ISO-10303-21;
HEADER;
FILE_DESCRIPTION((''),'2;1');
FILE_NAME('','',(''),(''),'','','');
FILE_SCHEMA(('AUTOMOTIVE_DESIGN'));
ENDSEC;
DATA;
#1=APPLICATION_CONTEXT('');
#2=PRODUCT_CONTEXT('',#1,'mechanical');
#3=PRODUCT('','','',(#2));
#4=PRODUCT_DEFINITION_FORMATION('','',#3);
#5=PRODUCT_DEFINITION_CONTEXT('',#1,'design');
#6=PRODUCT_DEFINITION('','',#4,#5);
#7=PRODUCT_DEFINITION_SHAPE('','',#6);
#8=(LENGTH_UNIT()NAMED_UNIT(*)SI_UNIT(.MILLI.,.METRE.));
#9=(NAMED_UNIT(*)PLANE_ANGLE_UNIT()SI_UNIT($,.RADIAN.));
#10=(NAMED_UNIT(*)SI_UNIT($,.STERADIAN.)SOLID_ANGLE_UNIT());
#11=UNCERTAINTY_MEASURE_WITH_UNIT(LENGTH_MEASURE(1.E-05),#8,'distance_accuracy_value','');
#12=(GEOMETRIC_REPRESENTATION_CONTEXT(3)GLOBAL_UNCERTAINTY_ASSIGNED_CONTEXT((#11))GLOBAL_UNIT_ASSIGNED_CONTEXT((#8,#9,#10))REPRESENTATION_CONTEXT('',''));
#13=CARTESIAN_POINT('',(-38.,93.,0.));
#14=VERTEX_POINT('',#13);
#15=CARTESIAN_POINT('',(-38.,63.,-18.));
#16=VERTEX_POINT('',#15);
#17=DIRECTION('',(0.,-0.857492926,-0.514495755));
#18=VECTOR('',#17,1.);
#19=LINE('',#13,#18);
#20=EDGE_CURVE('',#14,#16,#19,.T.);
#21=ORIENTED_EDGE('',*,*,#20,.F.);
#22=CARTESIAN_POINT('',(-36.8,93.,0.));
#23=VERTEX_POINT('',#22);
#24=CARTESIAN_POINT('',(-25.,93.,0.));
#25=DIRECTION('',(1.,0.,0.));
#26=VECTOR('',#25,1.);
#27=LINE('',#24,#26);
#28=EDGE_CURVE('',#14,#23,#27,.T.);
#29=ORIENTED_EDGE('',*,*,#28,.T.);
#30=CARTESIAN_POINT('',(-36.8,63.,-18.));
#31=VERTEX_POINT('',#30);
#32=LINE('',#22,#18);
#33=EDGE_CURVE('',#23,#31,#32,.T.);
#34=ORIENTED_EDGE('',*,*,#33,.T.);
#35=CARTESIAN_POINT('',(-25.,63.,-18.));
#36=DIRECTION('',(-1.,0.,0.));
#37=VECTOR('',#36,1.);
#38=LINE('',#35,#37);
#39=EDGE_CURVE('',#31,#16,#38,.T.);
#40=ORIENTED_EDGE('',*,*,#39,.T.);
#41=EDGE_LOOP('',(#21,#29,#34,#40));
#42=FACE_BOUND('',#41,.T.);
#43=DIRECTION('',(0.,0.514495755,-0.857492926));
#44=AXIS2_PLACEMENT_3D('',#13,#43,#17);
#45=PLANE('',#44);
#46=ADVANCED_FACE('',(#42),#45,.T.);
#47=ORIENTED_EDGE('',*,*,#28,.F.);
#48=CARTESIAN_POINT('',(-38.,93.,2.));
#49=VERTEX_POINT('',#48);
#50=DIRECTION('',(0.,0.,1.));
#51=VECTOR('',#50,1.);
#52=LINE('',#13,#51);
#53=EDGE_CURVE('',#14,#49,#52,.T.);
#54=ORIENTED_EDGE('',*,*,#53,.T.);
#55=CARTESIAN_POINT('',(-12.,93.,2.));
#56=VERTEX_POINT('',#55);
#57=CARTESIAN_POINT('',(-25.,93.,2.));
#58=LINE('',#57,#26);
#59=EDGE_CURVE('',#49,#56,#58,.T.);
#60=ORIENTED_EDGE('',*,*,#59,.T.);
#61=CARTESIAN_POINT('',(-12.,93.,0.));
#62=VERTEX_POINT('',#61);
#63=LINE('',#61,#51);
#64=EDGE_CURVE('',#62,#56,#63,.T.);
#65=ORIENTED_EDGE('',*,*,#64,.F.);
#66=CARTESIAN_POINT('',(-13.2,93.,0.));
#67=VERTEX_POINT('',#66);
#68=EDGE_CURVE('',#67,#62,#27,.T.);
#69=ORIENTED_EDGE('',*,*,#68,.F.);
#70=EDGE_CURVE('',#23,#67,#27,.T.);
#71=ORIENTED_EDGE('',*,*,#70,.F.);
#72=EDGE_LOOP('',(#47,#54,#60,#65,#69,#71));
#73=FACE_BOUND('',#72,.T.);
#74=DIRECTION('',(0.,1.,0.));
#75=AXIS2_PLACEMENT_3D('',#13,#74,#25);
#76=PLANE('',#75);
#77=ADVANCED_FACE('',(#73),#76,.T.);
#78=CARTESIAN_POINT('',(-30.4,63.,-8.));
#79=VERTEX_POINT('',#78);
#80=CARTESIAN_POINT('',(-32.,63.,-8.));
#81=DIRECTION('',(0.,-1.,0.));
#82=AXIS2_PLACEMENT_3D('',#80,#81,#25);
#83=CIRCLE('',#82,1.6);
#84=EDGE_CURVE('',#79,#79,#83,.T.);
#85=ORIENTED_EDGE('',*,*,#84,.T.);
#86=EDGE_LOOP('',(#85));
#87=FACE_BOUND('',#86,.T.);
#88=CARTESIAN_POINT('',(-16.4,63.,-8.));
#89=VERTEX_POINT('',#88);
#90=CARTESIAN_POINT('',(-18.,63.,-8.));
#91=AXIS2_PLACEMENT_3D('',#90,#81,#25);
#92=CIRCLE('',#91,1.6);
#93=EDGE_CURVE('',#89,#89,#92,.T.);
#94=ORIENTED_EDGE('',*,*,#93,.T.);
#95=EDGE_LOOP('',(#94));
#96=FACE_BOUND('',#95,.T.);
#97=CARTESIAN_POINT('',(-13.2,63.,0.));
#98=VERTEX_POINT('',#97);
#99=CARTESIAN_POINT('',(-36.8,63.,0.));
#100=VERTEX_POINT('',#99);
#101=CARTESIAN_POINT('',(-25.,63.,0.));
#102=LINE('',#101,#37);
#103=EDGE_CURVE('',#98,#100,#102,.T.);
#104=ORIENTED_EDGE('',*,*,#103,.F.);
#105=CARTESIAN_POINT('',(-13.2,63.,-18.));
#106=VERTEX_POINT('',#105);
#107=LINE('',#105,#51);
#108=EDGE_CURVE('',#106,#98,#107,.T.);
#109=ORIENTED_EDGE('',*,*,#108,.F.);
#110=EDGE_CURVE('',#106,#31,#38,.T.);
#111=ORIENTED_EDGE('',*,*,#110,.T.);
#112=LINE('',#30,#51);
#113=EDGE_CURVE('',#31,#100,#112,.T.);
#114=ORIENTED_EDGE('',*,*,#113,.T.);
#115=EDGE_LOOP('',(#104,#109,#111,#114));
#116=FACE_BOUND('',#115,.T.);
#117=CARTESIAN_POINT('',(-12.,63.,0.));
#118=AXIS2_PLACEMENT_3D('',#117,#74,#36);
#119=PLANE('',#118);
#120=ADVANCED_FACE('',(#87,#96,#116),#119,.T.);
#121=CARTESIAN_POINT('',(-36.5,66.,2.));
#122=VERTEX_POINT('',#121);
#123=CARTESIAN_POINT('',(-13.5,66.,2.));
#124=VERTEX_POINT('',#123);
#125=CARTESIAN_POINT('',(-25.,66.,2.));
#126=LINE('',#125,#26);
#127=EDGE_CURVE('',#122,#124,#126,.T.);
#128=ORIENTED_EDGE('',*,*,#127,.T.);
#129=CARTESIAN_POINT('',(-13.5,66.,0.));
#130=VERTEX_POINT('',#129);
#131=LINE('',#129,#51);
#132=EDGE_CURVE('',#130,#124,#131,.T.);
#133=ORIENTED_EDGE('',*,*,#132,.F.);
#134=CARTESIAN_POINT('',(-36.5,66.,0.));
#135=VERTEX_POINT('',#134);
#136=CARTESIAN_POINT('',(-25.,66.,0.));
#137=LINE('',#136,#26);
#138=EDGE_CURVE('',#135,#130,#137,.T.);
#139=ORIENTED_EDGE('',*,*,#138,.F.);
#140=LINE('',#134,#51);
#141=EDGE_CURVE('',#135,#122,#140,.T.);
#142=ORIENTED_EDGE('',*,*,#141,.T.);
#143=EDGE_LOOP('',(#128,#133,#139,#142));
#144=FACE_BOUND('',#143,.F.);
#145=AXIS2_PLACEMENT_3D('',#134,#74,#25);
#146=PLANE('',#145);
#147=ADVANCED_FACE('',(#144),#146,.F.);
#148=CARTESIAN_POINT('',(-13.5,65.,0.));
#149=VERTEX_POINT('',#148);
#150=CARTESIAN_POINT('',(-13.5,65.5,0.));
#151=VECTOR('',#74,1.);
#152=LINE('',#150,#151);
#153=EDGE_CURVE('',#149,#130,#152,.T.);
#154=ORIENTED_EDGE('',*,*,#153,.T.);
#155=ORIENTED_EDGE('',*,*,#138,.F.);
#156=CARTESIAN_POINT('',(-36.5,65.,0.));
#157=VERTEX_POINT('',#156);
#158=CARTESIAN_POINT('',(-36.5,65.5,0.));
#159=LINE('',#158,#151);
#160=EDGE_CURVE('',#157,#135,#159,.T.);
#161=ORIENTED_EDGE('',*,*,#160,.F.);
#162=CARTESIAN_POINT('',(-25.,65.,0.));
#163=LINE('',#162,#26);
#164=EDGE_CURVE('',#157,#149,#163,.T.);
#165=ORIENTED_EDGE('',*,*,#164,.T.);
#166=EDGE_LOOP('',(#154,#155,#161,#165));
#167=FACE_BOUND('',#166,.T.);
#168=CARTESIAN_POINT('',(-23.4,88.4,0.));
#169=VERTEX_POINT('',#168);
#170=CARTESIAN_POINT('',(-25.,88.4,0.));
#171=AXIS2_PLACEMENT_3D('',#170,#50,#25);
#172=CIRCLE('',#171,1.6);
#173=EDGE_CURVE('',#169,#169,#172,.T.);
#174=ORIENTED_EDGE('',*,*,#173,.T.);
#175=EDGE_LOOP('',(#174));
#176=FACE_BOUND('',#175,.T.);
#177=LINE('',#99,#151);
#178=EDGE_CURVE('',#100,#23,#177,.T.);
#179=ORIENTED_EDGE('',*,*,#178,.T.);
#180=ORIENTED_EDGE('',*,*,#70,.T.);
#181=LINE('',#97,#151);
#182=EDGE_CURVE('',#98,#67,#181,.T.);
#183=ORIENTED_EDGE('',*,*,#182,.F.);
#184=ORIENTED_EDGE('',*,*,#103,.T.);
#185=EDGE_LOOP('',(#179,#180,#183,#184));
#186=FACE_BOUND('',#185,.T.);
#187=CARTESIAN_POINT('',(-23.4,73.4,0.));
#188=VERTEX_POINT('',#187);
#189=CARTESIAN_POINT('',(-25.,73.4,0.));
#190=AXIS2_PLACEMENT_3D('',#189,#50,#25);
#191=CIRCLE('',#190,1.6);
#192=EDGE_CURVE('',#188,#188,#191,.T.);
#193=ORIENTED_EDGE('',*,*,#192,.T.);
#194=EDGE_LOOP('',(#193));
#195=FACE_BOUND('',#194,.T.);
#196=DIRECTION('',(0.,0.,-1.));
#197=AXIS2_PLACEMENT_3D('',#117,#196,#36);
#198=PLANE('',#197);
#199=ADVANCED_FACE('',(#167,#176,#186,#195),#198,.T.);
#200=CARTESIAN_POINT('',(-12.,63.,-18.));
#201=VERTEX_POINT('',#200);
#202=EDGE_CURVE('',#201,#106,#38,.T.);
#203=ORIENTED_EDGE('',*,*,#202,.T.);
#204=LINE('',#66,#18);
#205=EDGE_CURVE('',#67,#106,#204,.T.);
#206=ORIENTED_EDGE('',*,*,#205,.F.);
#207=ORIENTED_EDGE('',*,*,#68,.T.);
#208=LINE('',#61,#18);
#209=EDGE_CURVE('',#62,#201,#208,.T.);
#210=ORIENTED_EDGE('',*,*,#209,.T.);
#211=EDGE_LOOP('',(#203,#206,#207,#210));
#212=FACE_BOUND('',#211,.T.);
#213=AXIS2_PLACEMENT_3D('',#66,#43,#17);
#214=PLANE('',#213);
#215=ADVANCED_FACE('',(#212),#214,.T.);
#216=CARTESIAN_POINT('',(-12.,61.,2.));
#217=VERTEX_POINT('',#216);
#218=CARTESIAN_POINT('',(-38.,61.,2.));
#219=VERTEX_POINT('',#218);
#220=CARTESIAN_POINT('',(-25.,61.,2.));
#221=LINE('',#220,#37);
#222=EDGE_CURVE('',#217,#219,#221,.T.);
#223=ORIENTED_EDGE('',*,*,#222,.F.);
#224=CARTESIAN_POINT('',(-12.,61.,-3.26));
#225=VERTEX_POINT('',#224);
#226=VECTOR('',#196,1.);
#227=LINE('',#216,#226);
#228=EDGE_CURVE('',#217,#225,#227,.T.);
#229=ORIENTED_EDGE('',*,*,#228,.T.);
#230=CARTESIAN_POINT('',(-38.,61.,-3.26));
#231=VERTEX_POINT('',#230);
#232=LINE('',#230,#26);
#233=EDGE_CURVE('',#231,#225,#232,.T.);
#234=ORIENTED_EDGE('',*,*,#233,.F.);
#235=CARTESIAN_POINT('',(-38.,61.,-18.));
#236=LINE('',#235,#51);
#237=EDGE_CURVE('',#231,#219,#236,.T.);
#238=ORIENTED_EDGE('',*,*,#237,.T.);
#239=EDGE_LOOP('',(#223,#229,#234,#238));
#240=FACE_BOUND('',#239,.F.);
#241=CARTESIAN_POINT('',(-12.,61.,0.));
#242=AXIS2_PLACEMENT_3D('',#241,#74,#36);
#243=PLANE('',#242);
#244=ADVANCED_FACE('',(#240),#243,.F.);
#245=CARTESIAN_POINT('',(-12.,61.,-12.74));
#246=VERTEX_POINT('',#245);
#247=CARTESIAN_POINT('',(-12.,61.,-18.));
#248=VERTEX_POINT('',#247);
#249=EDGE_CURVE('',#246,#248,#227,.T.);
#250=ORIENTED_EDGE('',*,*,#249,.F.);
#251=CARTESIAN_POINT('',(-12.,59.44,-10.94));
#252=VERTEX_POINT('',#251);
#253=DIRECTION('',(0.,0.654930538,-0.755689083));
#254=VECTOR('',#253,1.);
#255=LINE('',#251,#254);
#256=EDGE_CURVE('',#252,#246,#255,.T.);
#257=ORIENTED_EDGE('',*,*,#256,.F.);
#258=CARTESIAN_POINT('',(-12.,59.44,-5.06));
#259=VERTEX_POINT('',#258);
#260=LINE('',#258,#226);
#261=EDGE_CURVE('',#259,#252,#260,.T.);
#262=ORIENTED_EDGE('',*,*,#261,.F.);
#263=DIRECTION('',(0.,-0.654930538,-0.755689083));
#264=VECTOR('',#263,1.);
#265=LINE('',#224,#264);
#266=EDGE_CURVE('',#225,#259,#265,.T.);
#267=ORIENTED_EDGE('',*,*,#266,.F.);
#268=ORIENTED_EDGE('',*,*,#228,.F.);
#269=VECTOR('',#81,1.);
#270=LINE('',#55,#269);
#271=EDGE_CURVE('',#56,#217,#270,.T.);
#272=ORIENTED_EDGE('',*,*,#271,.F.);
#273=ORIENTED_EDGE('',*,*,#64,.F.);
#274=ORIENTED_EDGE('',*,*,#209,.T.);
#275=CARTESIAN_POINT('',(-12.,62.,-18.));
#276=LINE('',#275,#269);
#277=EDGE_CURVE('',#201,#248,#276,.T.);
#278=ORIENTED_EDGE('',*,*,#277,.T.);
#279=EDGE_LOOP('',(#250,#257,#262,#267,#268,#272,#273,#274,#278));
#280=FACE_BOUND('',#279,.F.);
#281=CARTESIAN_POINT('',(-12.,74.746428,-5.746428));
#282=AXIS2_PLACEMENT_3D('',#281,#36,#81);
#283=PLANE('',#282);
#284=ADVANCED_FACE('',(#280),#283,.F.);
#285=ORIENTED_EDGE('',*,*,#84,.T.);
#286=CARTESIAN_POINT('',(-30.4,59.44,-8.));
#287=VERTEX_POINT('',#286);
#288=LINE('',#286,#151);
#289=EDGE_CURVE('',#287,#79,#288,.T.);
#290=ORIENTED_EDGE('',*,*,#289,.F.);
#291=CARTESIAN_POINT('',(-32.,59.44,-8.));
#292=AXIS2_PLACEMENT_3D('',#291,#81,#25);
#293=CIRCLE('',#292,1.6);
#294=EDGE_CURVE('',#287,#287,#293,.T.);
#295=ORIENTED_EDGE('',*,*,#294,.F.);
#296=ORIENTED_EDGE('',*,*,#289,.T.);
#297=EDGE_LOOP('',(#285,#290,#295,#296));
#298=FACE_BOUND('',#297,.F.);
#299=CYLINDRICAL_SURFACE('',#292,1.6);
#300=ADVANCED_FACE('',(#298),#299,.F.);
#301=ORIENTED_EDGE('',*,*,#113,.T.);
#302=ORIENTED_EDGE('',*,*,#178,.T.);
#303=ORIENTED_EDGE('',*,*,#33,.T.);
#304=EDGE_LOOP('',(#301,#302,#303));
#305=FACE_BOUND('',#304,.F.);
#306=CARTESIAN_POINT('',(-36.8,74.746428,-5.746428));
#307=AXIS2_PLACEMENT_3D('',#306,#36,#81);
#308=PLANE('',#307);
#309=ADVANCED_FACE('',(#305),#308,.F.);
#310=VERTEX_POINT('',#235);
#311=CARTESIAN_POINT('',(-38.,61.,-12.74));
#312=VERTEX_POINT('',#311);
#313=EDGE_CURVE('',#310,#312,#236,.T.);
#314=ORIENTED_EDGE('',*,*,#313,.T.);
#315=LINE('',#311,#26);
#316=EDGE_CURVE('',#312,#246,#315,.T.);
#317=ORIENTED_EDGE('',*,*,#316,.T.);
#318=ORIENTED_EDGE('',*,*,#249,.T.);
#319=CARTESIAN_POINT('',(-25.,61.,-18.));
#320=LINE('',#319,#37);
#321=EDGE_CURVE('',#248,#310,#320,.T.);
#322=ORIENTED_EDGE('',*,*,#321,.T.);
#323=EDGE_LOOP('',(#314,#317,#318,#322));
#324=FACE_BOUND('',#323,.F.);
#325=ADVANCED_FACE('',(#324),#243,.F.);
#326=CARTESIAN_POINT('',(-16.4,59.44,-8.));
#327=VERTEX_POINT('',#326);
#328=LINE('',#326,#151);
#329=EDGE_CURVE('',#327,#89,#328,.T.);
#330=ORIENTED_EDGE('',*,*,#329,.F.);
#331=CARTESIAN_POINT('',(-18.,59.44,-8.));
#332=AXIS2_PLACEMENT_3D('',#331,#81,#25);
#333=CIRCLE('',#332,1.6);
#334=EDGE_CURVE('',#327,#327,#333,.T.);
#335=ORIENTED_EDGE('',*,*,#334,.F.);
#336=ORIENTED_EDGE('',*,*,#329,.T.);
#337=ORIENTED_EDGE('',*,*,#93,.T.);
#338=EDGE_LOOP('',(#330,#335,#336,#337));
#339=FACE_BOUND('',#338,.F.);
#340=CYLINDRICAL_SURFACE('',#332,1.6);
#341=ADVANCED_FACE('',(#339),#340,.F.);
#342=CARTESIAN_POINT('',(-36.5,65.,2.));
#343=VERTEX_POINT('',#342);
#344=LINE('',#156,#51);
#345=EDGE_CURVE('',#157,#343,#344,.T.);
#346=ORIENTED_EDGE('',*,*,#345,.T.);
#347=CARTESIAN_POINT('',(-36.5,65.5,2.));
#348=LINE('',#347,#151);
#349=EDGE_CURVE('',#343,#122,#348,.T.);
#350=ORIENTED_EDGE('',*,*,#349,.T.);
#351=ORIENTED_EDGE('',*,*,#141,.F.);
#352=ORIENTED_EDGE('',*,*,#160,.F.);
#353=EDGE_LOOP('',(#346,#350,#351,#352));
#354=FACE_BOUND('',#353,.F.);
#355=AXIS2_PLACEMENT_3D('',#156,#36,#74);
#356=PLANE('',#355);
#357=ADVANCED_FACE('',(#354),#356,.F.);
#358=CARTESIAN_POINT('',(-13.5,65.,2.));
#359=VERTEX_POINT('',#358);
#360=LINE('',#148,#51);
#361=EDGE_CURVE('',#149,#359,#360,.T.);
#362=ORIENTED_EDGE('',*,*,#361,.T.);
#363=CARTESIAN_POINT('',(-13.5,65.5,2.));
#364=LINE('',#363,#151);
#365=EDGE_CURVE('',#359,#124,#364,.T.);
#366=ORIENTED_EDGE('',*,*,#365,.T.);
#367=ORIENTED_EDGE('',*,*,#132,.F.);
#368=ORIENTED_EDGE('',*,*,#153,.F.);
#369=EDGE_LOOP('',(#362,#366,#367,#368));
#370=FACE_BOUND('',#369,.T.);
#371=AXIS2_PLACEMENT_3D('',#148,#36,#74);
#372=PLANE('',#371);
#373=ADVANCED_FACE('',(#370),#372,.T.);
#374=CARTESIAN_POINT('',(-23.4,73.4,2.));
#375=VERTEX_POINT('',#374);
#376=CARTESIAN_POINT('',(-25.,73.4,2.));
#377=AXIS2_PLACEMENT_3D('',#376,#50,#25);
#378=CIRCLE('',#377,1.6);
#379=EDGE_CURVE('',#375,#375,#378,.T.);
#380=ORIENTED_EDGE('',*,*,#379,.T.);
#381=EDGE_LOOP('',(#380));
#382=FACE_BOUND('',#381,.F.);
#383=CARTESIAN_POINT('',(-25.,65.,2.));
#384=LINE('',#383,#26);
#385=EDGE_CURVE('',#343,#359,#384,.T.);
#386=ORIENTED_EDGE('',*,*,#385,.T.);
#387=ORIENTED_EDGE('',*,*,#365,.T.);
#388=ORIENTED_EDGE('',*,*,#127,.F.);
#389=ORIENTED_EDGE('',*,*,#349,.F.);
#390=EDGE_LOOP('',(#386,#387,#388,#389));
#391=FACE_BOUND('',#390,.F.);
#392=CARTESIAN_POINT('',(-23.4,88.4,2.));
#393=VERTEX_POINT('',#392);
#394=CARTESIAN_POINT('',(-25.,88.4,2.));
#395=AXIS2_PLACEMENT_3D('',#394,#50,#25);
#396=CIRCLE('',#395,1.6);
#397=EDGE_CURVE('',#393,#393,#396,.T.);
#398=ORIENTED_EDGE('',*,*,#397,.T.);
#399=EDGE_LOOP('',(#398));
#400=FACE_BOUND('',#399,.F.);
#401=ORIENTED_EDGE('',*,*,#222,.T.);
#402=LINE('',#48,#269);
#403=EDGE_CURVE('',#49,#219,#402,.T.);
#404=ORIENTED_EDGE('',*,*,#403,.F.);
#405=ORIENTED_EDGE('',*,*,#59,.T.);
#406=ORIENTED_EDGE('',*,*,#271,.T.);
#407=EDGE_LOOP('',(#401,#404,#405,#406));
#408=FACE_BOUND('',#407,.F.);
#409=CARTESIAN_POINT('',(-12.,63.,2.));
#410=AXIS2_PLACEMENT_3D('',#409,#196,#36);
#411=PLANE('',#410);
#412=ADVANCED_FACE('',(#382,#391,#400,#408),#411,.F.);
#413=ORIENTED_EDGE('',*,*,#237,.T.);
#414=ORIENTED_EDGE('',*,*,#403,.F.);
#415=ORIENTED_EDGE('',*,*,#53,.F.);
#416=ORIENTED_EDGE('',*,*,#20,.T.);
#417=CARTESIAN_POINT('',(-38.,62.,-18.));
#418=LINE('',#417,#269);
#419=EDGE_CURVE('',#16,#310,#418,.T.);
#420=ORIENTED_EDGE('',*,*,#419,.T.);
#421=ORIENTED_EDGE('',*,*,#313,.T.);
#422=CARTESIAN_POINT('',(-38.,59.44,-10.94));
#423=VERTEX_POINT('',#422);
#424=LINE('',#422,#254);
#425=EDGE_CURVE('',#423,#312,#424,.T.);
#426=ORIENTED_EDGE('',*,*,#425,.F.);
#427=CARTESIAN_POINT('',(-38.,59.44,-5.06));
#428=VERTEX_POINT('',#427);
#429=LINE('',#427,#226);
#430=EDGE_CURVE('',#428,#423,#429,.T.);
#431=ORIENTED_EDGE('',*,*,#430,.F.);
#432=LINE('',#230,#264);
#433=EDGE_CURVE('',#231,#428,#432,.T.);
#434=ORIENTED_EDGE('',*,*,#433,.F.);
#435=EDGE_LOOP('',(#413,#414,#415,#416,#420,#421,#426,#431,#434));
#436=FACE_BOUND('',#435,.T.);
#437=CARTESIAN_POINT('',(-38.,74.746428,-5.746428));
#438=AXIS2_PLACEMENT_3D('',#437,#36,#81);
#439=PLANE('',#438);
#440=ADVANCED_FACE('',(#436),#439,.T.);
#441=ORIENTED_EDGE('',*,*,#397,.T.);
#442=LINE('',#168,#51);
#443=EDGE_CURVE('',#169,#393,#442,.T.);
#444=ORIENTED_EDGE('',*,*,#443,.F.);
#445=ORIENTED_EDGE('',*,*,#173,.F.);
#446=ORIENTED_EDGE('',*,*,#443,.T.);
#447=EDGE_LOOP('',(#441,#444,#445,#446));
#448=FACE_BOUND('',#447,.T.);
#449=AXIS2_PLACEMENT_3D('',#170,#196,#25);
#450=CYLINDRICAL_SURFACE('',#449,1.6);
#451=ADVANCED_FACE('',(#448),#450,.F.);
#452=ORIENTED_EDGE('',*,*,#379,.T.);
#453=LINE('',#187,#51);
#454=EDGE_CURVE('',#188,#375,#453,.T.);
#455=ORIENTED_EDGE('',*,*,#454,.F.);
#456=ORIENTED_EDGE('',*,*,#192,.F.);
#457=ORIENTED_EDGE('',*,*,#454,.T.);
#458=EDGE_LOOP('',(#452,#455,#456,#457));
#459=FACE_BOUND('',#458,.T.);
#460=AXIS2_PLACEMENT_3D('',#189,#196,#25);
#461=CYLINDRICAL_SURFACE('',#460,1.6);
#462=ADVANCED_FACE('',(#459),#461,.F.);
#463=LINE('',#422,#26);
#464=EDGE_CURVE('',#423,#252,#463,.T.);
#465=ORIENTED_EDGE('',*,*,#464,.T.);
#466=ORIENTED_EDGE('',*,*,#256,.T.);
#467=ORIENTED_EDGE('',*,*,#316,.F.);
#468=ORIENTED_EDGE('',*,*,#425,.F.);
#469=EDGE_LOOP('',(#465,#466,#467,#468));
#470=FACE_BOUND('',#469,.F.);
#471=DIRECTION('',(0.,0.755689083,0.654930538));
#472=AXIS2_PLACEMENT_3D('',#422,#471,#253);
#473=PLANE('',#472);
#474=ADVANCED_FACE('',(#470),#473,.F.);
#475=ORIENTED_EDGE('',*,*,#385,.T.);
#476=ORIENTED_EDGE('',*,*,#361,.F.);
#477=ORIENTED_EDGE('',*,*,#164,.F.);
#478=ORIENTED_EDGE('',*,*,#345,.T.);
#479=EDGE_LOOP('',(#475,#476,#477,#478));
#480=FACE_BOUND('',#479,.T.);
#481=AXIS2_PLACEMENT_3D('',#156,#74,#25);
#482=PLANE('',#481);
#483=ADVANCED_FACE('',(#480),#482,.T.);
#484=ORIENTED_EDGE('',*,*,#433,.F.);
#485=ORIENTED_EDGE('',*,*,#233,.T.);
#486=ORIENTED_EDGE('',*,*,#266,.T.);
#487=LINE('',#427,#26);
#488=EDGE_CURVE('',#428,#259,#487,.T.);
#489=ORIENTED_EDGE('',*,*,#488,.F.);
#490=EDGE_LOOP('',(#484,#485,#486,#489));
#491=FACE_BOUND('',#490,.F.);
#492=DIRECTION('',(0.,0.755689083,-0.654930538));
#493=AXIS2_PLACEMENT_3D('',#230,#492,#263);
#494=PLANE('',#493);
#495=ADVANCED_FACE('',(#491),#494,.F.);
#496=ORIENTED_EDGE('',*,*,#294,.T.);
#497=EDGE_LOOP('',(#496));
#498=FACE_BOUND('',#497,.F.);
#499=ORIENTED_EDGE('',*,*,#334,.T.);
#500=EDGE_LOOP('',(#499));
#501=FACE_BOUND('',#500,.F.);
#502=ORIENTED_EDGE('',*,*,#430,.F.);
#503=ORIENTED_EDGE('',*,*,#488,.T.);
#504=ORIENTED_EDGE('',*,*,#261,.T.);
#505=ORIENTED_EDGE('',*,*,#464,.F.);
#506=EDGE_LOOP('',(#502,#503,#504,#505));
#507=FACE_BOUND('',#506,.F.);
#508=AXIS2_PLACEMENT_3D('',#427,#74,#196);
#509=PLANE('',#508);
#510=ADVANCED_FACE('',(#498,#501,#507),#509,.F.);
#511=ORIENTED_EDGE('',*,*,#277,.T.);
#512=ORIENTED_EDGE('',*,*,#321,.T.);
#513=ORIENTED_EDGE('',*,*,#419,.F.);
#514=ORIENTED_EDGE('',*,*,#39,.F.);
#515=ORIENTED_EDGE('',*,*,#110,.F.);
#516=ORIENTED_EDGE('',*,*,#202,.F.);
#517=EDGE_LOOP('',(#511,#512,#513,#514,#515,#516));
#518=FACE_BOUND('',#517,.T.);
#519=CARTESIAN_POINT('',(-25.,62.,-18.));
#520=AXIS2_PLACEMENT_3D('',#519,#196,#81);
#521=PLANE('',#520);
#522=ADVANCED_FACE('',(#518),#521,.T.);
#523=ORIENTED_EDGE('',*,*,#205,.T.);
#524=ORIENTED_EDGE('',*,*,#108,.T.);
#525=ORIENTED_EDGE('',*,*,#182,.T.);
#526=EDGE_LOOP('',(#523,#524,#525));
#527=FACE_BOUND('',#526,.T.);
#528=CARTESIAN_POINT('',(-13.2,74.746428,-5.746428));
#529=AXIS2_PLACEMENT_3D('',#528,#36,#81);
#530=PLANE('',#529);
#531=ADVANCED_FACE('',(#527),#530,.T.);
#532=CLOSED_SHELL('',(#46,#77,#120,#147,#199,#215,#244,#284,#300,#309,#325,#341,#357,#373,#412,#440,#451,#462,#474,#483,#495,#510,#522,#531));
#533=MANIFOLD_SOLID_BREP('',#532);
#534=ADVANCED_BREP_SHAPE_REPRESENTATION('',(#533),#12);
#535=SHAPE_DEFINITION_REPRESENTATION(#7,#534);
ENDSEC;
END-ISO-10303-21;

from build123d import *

# Parameters (mm, degrees)
SKETCH010_W         = 26
SKETCH010_H         = 30
SKETCH010_R         = 1.6
SKETCH010_W_2       = 23
SKETCH010_H_2       = 1
PAD009_DEPTH        = 2
PAD009_FACE3_W      = 26
PAD009_FACE3_H      = 2
PAD010_DEPTH        = 2
PAD010_FACE8_W      = 2
PAD010_FACE8_H      = 26
PAD011_DEPTH        = 18
PAD012_DEPTH        = 26
SKETCH012_R         = 1.6
POCKET006_DEPTH     = 33.561
PAD013_DEPTH        = 1.2
LINEARPATTERN_COUNT = 2
LINEARPATTERN_PITCH = 24.8


with BuildPart() as part:
    # Sketch010 → Pad009 (new body)
    with BuildSketch(Plane.XY):
        Rectangle(SKETCH010_W, SKETCH010_H)
        with Locations((0, 10.4)):
            Circle(SKETCH010_R, mode=Mode.SUBTRACT)
        with Locations((0, -4.6)):
            Circle(SKETCH010_R, mode=Mode.SUBTRACT)
        with Locations((0, -12.5)):
            Rectangle(SKETCH010_W_2, SKETCH010_H_2, mode=Mode.SUBTRACT)
    extrude(amount=PAD009_DEPTH)

    # Pad009 Face3 → Pad010 (add)
    with BuildSketch(Plane(origin=(0, -15, 1), x_dir=(-1, 0, 0), z_dir=(0, -1, 0))):
        Rectangle(PAD009_FACE3_W, PAD009_FACE3_H)
    extrude(amount=PAD010_DEPTH)

    # Pad010 Face8 → Pad011 (add)
    with BuildSketch(Plane(origin=(0, -16, 0), x_dir=(0, -1, 0), z_dir=(0, 0, -1))):
        Rectangle(PAD010_FACE8_W, PAD010_FACE8_H)
    extrude(amount=PAD011_DEPTH)

    # Sketch011 (on Face16 of Pad011) → Pad012 (join)
    with BuildSketch(Plane(origin=(-13, 0, 0), x_dir=(0, -1, 0), z_dir=(-1, 0, 0))):
        Polygon((17, -8), (17, -3.26), (18.56, -5.06), (18.56, -10.94), (17, -12.74), align=None)
    extrude(amount=-PAD012_DEPTH)

    # Sketch012 (on Face25 of Pad012) → Pocket006 (cut, through all)
    with BuildSketch(Plane.XZ.offset(18.56)):
        with Locations((-7, -8)):
            Circle(SKETCH012_R)
        with Locations((7, -8)):
            Circle(SKETCH012_R)
    extrude(amount=-POCKET006_DEPTH, mode=Mode.SUBTRACT)

    # Sketch013 (on Face16 of Pocket006) → Pad013 (join)
    with BuildSketch(Plane(origin=(-13, 0, 0), x_dir=(0, -1, 0), z_dir=(-1, 0, 0))):
        Polygon((-15, 0), (15, -18), (15, 0), align=None)
    pad013 = extrude(amount=-PAD013_DEPTH)

    # LinearPattern: Pad013 ×2
    with Locations(*[(i * LINEARPATTERN_PITCH, 0, 0) for i in range(1, LINEARPATTERN_COUNT)]):
        add(pad013)


with BuildPart() as part_1:
    # Body002 placement: moved
    add(part.part.moved(Location((-25, 78, 0))))


solid = part_1.part
